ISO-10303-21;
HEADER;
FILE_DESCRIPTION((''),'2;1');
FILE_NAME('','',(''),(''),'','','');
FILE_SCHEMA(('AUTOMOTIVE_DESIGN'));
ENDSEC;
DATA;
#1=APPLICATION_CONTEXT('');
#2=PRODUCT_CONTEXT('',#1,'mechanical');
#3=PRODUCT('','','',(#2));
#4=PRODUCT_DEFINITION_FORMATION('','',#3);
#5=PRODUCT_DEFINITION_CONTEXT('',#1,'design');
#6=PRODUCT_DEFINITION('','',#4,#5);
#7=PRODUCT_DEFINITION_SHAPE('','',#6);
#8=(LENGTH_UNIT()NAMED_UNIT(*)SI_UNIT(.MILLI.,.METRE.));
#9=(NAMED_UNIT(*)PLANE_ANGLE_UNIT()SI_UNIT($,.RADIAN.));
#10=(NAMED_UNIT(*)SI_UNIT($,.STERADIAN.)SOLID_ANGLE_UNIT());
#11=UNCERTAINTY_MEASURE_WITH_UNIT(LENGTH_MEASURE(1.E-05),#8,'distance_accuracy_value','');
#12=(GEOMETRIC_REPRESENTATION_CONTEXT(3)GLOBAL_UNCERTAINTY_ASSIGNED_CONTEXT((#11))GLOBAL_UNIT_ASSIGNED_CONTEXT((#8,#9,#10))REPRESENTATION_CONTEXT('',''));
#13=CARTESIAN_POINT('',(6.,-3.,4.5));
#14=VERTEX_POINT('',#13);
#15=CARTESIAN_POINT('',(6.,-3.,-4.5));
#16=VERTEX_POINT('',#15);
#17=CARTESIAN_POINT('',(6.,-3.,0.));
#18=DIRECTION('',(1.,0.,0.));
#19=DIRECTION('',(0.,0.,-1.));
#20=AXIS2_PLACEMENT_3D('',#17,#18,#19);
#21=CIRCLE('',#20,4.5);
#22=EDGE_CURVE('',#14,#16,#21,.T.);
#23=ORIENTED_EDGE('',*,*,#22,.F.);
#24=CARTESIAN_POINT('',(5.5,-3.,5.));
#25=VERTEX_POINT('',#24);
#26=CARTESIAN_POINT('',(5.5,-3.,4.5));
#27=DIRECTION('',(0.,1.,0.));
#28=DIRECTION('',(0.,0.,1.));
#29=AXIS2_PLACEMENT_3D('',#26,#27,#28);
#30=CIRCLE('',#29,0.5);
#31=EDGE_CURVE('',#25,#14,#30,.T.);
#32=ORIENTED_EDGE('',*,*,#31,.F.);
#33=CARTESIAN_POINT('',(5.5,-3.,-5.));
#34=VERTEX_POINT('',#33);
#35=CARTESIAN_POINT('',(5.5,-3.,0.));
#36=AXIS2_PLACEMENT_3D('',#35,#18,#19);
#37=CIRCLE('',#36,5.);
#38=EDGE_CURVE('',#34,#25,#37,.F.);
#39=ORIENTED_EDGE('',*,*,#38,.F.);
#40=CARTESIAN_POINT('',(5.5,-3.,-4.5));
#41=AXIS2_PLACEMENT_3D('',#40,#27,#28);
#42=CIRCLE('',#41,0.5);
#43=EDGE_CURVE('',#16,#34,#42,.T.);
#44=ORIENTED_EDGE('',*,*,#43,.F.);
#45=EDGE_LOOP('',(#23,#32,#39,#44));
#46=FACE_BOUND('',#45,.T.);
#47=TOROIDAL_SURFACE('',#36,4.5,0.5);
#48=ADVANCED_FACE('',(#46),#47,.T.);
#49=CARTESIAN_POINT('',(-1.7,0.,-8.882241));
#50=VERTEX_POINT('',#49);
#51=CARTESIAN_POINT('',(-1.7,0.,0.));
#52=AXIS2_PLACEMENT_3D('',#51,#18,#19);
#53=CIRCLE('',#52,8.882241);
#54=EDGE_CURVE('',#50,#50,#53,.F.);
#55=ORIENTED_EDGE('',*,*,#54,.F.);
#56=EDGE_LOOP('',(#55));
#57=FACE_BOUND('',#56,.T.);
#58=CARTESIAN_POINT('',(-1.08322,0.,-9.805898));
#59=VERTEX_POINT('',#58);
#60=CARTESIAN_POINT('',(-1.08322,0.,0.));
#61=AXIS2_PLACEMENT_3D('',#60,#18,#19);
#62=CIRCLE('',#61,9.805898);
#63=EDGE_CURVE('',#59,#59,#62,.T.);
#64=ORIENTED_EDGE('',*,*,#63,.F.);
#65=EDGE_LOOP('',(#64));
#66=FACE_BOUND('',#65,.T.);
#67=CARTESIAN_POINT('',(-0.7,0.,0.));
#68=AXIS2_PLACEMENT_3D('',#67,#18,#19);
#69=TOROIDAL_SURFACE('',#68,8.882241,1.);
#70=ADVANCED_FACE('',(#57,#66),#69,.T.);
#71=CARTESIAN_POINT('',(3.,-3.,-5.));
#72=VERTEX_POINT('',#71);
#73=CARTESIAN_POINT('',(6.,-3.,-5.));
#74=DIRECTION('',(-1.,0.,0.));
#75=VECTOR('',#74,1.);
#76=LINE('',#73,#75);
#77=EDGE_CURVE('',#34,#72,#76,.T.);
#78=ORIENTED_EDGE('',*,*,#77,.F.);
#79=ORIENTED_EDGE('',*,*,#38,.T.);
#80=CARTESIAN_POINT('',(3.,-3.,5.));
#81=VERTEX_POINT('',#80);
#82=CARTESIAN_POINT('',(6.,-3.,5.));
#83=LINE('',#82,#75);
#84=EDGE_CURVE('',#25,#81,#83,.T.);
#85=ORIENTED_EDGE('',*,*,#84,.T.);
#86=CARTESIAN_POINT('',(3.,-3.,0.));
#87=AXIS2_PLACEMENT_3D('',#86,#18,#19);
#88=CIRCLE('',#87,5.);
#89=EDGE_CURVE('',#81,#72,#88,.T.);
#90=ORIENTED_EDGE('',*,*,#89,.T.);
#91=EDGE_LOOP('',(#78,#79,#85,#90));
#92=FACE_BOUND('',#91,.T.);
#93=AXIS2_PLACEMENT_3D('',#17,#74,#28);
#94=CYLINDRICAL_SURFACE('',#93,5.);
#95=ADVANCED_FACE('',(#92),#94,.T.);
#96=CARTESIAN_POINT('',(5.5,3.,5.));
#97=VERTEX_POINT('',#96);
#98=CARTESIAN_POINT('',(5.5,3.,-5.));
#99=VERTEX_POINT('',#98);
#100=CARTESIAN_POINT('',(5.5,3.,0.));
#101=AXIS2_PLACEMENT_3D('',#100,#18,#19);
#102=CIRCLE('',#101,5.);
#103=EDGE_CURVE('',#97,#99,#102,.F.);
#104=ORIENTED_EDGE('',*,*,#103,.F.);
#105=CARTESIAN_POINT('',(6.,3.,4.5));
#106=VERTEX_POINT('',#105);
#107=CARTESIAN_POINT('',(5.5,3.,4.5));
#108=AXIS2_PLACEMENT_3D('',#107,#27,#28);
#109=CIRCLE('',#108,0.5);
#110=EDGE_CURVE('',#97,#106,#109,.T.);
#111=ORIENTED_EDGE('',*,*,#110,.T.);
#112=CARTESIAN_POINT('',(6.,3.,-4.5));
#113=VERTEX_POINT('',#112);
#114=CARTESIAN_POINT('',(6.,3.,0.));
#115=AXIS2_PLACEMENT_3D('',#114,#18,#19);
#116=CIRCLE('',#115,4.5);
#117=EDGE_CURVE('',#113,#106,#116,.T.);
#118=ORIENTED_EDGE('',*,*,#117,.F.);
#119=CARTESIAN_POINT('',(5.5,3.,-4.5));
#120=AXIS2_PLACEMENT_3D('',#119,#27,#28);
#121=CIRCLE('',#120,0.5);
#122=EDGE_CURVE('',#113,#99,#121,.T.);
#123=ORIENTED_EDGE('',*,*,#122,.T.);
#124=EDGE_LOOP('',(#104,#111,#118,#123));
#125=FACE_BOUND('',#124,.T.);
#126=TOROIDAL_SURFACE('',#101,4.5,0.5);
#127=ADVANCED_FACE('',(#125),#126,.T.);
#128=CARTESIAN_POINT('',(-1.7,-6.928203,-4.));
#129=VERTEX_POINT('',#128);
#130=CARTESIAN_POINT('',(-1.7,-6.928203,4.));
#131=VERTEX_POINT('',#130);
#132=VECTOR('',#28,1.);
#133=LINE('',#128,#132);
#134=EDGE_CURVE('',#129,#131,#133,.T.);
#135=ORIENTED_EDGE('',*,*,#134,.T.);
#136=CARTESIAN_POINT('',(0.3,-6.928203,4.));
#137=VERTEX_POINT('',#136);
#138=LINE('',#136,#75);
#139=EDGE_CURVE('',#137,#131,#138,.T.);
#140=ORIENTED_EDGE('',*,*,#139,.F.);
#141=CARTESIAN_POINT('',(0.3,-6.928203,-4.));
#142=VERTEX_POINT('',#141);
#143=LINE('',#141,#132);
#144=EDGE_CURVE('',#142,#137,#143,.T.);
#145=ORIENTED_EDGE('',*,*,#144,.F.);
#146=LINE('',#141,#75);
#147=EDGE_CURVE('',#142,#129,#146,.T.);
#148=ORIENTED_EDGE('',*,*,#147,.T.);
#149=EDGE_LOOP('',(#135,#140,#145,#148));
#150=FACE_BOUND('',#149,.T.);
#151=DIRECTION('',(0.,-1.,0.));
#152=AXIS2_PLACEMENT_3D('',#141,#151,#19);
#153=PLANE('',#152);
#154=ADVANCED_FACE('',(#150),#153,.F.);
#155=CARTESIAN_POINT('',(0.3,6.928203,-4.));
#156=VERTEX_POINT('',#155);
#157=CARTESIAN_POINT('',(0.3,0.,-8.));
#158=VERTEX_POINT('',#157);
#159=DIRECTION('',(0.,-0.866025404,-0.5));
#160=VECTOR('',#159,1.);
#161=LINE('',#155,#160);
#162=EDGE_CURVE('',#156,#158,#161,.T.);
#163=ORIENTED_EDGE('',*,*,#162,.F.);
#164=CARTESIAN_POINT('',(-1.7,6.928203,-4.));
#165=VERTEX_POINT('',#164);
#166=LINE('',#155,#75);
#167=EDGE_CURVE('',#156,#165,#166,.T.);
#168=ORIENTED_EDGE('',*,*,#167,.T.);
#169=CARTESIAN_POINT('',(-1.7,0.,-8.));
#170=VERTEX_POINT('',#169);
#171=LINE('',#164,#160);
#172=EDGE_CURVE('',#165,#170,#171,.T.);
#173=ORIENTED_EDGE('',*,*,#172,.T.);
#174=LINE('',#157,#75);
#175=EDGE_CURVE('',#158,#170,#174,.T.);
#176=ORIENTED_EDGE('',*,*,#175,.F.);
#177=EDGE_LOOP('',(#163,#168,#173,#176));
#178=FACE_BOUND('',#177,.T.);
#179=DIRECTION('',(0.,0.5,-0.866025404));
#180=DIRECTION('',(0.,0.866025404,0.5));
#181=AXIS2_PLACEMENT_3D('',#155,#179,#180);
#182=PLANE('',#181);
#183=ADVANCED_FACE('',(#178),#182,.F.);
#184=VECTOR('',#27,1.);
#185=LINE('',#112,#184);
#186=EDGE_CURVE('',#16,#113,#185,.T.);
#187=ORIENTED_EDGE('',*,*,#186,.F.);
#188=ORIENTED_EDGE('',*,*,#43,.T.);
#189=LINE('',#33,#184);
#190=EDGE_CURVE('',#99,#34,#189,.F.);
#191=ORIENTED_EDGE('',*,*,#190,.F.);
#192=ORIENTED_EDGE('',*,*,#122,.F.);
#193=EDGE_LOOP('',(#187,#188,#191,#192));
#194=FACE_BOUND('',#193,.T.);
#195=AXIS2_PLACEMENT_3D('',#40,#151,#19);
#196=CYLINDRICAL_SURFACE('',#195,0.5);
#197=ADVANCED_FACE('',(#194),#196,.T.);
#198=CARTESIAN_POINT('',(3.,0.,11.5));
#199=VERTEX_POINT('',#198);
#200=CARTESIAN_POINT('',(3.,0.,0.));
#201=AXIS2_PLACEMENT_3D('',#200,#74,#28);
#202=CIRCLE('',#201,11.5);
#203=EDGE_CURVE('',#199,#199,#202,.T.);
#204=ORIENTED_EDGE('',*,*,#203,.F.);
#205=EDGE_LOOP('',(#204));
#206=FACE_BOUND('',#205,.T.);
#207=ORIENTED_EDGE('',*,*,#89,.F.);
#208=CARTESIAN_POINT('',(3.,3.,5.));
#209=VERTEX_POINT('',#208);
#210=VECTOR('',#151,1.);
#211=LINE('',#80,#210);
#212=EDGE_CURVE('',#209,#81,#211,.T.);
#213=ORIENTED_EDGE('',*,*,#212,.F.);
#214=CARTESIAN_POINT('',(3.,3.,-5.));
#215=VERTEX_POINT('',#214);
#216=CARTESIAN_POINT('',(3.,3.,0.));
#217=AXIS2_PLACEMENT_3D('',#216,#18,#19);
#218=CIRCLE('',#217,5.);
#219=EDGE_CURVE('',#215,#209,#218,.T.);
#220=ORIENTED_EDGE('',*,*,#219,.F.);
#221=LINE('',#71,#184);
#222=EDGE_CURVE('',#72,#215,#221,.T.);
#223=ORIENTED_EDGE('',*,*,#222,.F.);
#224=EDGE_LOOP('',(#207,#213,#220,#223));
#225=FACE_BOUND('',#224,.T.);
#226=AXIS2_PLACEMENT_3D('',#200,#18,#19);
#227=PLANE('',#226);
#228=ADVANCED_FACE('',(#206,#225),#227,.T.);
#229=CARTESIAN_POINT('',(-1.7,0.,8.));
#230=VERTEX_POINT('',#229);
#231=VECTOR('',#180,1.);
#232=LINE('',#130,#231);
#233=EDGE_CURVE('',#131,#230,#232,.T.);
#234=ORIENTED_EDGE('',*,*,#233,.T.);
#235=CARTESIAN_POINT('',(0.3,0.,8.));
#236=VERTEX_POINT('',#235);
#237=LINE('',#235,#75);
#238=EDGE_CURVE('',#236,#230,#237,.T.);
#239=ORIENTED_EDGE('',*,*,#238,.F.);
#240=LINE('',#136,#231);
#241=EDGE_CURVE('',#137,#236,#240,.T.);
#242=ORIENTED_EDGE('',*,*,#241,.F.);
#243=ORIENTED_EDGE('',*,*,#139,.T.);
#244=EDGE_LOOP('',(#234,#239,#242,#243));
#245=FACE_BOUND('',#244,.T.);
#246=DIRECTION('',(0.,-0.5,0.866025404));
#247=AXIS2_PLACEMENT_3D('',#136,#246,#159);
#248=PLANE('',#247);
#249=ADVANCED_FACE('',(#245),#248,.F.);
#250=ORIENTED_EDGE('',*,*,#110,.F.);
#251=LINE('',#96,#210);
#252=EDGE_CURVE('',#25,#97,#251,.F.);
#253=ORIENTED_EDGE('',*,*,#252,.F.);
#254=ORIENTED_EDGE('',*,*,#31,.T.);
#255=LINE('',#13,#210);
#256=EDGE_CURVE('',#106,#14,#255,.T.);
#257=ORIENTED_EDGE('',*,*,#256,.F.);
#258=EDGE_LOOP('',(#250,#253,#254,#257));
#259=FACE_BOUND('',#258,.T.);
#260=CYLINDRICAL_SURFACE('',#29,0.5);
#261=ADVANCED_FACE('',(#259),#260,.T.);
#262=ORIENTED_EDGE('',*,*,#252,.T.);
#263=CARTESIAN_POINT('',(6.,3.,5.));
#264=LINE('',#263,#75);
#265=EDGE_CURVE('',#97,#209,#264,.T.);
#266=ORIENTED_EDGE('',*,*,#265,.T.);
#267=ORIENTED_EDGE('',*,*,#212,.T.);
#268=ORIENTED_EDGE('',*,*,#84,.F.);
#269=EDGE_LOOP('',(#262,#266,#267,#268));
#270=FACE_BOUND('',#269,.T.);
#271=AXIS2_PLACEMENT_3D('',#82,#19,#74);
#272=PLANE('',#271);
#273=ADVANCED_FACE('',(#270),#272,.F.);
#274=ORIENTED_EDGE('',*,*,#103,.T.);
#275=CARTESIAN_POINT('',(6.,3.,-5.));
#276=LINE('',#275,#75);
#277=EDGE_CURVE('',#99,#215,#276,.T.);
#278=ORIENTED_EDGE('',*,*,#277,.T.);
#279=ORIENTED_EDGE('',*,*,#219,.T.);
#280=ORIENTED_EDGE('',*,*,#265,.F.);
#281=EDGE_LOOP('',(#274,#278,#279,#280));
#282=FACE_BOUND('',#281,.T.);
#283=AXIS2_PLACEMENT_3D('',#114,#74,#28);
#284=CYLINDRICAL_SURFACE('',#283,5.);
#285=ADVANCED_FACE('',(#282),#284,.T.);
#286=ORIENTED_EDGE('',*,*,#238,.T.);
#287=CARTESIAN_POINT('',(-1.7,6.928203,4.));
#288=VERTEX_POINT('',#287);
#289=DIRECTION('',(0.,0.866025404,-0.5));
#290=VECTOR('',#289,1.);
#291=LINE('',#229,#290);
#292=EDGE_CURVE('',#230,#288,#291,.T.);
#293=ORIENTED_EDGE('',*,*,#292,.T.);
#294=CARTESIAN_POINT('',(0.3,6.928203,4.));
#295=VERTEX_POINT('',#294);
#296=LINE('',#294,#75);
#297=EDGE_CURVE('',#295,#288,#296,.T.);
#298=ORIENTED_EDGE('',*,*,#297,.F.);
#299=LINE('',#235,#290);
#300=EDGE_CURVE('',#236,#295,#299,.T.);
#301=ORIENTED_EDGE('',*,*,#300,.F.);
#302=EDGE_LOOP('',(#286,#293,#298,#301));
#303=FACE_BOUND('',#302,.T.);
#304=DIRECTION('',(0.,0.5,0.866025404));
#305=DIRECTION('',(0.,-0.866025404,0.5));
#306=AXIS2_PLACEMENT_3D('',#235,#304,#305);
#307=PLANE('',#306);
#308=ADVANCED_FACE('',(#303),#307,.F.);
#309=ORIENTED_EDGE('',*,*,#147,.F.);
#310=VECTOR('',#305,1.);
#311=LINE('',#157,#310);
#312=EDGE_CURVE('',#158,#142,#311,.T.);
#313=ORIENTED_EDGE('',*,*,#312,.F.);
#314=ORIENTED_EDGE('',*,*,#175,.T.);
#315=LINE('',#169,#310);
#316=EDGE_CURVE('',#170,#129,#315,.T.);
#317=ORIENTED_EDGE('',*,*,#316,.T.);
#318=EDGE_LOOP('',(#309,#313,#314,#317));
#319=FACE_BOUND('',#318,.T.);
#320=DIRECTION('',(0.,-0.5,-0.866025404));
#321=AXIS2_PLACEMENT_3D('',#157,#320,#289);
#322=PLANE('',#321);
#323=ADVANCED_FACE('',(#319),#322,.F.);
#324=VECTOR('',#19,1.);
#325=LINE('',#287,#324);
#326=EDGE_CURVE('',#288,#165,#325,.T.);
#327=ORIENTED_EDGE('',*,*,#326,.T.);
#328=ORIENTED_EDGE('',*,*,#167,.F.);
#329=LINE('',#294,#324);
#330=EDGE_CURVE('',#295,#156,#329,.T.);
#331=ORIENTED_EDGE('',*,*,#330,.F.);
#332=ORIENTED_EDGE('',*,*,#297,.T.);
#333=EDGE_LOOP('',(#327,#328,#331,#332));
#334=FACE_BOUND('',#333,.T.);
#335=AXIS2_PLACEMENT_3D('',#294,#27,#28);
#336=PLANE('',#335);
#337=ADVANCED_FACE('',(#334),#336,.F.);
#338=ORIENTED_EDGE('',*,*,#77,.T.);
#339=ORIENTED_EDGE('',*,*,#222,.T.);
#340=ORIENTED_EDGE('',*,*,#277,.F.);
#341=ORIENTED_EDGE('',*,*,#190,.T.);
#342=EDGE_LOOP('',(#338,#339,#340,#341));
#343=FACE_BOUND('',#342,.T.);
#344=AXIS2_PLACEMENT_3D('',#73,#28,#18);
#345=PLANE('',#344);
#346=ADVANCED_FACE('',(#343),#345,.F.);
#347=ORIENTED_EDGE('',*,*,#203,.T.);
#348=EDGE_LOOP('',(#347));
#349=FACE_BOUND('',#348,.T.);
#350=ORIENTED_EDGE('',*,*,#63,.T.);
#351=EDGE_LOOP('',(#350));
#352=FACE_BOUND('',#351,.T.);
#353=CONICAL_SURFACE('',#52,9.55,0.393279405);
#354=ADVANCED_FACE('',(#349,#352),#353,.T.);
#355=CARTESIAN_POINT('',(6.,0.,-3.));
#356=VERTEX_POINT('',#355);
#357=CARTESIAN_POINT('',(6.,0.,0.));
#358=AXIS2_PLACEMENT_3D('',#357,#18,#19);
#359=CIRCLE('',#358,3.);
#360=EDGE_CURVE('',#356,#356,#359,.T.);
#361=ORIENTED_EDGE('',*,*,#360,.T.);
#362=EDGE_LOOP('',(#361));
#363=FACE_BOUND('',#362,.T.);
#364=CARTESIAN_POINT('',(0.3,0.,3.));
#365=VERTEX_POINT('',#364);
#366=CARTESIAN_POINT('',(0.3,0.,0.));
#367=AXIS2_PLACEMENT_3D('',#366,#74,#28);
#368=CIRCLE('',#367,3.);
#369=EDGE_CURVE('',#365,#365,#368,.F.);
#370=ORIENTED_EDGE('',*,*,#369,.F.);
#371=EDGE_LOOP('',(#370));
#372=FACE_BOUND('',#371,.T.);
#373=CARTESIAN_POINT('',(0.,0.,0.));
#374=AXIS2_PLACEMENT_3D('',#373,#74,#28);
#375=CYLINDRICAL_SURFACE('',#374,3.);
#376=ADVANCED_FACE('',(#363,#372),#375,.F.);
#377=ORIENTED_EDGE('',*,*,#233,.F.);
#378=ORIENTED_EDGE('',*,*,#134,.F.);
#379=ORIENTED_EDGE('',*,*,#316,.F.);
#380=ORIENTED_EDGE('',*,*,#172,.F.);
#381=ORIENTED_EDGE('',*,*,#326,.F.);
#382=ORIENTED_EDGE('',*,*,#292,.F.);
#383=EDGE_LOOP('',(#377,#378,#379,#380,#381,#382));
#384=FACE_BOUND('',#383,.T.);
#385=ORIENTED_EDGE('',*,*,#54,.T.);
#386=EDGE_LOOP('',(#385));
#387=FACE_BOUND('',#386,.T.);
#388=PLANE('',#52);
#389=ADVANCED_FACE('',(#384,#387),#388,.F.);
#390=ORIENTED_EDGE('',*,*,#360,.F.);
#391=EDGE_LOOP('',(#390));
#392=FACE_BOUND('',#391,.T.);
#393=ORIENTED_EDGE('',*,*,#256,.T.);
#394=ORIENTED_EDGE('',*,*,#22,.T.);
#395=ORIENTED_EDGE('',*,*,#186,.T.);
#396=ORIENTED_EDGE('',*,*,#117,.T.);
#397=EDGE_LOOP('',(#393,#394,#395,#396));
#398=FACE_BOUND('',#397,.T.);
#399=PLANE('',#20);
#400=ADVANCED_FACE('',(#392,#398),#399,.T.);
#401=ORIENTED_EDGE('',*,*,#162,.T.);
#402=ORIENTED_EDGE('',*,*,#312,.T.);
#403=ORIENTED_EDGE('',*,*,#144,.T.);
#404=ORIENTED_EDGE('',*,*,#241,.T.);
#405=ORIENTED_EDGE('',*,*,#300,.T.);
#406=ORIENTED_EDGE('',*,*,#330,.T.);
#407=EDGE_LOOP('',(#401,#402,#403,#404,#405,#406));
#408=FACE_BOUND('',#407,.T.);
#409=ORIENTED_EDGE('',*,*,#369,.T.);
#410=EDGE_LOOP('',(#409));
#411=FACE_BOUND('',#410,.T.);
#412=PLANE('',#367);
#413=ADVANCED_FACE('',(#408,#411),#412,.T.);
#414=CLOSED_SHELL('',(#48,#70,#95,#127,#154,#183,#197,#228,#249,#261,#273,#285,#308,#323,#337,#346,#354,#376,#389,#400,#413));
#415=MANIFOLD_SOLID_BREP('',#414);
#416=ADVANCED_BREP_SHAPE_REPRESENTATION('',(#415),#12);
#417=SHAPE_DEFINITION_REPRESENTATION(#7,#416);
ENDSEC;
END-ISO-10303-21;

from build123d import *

# Parameters (mm, degrees)
SKETCH_1_W          = 1.7
SKETCH_1_H          = 4.55
FILLET_1_R          = 1
SKETCH_3_R          = 3
EXTRUDE_1_DEPTH     = 3
FILLET_3_R          = 0.5
CUT_EXTRUDE_1_DEPTH = 2


with BuildPart() as part:
    # Эскиз1 → Повернуть1 (revolve)
    with BuildSketch(Plane.XY, mode=Mode.PRIVATE) as revolve_1_sk:
        with Locations((-0.85, 5.275)):
            Rectangle(SKETCH_1_W, SKETCH_1_H)
        Polygon((3, 7.03692641), (3, 3), (0, 3), (0, 7.55), (-1.7, 7.55), (-1.7, 9.55), (3, 11.5), align=None)
    revolve(revolve_1_sk.sketch.rotate(Axis((0, 0, 0), (1, 0, 0)), 90), axis=Axis((0, 0, 0), (1, 0, 0)))

    # Скругление1
    fillet_1_edges = [part.edges().sort_by_distance(p)[0] for p in [
        (-1.7, 0, -9.55),
    ]]
    fillet(fillet_1_edges, radius=FILLET_1_R)

    # Эскиз3 → Бобышка-Вытянуть1 (add)
    with BuildSketch(Plane(origin=(3, 0, 0), x_dir=(0, 0, -1), z_dir=(1, 0, 0))):
        with BuildLine():
            Line((-5, -3), (-5, 3))
            ThreePointArc((-5, 3), (0, 8), (5, 3))
            Line((5, 3), (5, -3))
            ThreePointArc((5, -3), (0, -8), (-5, -3))
        make_face()
        with Locations(Location((0, 0, 0), (0, 0, 180))):
            Circle(SKETCH_3_R, mode=Mode.SUBTRACT)
    extrude(amount=EXTRUDE_1_DEPTH)

    # Скругление3
    fillet_3_edges = [part.edges().sort_by_distance(p)[0] for p in [
        (6, -8, 0),
        (6, 0, -5),
        (6, 8, 0),
        (6, 0, 5),
    ]]
    fillet(fillet_3_edges, radius=FILLET_3_R)

    # Эскиз4 → Вырез-Вытянуть1 (cut)
    with BuildSketch(Plane.ZY.offset(1.7)):
        Polygon((4, 6.92820323), (-4, 6.92820323), (-8, 0), (-4, -6.92820323), (4, -6.92820323), (8, 0), align=None)
    extrude(amount=-CUT_EXTRUDE_1_DEPTH, mode=Mode.SUBTRACT)


solid = part.part
